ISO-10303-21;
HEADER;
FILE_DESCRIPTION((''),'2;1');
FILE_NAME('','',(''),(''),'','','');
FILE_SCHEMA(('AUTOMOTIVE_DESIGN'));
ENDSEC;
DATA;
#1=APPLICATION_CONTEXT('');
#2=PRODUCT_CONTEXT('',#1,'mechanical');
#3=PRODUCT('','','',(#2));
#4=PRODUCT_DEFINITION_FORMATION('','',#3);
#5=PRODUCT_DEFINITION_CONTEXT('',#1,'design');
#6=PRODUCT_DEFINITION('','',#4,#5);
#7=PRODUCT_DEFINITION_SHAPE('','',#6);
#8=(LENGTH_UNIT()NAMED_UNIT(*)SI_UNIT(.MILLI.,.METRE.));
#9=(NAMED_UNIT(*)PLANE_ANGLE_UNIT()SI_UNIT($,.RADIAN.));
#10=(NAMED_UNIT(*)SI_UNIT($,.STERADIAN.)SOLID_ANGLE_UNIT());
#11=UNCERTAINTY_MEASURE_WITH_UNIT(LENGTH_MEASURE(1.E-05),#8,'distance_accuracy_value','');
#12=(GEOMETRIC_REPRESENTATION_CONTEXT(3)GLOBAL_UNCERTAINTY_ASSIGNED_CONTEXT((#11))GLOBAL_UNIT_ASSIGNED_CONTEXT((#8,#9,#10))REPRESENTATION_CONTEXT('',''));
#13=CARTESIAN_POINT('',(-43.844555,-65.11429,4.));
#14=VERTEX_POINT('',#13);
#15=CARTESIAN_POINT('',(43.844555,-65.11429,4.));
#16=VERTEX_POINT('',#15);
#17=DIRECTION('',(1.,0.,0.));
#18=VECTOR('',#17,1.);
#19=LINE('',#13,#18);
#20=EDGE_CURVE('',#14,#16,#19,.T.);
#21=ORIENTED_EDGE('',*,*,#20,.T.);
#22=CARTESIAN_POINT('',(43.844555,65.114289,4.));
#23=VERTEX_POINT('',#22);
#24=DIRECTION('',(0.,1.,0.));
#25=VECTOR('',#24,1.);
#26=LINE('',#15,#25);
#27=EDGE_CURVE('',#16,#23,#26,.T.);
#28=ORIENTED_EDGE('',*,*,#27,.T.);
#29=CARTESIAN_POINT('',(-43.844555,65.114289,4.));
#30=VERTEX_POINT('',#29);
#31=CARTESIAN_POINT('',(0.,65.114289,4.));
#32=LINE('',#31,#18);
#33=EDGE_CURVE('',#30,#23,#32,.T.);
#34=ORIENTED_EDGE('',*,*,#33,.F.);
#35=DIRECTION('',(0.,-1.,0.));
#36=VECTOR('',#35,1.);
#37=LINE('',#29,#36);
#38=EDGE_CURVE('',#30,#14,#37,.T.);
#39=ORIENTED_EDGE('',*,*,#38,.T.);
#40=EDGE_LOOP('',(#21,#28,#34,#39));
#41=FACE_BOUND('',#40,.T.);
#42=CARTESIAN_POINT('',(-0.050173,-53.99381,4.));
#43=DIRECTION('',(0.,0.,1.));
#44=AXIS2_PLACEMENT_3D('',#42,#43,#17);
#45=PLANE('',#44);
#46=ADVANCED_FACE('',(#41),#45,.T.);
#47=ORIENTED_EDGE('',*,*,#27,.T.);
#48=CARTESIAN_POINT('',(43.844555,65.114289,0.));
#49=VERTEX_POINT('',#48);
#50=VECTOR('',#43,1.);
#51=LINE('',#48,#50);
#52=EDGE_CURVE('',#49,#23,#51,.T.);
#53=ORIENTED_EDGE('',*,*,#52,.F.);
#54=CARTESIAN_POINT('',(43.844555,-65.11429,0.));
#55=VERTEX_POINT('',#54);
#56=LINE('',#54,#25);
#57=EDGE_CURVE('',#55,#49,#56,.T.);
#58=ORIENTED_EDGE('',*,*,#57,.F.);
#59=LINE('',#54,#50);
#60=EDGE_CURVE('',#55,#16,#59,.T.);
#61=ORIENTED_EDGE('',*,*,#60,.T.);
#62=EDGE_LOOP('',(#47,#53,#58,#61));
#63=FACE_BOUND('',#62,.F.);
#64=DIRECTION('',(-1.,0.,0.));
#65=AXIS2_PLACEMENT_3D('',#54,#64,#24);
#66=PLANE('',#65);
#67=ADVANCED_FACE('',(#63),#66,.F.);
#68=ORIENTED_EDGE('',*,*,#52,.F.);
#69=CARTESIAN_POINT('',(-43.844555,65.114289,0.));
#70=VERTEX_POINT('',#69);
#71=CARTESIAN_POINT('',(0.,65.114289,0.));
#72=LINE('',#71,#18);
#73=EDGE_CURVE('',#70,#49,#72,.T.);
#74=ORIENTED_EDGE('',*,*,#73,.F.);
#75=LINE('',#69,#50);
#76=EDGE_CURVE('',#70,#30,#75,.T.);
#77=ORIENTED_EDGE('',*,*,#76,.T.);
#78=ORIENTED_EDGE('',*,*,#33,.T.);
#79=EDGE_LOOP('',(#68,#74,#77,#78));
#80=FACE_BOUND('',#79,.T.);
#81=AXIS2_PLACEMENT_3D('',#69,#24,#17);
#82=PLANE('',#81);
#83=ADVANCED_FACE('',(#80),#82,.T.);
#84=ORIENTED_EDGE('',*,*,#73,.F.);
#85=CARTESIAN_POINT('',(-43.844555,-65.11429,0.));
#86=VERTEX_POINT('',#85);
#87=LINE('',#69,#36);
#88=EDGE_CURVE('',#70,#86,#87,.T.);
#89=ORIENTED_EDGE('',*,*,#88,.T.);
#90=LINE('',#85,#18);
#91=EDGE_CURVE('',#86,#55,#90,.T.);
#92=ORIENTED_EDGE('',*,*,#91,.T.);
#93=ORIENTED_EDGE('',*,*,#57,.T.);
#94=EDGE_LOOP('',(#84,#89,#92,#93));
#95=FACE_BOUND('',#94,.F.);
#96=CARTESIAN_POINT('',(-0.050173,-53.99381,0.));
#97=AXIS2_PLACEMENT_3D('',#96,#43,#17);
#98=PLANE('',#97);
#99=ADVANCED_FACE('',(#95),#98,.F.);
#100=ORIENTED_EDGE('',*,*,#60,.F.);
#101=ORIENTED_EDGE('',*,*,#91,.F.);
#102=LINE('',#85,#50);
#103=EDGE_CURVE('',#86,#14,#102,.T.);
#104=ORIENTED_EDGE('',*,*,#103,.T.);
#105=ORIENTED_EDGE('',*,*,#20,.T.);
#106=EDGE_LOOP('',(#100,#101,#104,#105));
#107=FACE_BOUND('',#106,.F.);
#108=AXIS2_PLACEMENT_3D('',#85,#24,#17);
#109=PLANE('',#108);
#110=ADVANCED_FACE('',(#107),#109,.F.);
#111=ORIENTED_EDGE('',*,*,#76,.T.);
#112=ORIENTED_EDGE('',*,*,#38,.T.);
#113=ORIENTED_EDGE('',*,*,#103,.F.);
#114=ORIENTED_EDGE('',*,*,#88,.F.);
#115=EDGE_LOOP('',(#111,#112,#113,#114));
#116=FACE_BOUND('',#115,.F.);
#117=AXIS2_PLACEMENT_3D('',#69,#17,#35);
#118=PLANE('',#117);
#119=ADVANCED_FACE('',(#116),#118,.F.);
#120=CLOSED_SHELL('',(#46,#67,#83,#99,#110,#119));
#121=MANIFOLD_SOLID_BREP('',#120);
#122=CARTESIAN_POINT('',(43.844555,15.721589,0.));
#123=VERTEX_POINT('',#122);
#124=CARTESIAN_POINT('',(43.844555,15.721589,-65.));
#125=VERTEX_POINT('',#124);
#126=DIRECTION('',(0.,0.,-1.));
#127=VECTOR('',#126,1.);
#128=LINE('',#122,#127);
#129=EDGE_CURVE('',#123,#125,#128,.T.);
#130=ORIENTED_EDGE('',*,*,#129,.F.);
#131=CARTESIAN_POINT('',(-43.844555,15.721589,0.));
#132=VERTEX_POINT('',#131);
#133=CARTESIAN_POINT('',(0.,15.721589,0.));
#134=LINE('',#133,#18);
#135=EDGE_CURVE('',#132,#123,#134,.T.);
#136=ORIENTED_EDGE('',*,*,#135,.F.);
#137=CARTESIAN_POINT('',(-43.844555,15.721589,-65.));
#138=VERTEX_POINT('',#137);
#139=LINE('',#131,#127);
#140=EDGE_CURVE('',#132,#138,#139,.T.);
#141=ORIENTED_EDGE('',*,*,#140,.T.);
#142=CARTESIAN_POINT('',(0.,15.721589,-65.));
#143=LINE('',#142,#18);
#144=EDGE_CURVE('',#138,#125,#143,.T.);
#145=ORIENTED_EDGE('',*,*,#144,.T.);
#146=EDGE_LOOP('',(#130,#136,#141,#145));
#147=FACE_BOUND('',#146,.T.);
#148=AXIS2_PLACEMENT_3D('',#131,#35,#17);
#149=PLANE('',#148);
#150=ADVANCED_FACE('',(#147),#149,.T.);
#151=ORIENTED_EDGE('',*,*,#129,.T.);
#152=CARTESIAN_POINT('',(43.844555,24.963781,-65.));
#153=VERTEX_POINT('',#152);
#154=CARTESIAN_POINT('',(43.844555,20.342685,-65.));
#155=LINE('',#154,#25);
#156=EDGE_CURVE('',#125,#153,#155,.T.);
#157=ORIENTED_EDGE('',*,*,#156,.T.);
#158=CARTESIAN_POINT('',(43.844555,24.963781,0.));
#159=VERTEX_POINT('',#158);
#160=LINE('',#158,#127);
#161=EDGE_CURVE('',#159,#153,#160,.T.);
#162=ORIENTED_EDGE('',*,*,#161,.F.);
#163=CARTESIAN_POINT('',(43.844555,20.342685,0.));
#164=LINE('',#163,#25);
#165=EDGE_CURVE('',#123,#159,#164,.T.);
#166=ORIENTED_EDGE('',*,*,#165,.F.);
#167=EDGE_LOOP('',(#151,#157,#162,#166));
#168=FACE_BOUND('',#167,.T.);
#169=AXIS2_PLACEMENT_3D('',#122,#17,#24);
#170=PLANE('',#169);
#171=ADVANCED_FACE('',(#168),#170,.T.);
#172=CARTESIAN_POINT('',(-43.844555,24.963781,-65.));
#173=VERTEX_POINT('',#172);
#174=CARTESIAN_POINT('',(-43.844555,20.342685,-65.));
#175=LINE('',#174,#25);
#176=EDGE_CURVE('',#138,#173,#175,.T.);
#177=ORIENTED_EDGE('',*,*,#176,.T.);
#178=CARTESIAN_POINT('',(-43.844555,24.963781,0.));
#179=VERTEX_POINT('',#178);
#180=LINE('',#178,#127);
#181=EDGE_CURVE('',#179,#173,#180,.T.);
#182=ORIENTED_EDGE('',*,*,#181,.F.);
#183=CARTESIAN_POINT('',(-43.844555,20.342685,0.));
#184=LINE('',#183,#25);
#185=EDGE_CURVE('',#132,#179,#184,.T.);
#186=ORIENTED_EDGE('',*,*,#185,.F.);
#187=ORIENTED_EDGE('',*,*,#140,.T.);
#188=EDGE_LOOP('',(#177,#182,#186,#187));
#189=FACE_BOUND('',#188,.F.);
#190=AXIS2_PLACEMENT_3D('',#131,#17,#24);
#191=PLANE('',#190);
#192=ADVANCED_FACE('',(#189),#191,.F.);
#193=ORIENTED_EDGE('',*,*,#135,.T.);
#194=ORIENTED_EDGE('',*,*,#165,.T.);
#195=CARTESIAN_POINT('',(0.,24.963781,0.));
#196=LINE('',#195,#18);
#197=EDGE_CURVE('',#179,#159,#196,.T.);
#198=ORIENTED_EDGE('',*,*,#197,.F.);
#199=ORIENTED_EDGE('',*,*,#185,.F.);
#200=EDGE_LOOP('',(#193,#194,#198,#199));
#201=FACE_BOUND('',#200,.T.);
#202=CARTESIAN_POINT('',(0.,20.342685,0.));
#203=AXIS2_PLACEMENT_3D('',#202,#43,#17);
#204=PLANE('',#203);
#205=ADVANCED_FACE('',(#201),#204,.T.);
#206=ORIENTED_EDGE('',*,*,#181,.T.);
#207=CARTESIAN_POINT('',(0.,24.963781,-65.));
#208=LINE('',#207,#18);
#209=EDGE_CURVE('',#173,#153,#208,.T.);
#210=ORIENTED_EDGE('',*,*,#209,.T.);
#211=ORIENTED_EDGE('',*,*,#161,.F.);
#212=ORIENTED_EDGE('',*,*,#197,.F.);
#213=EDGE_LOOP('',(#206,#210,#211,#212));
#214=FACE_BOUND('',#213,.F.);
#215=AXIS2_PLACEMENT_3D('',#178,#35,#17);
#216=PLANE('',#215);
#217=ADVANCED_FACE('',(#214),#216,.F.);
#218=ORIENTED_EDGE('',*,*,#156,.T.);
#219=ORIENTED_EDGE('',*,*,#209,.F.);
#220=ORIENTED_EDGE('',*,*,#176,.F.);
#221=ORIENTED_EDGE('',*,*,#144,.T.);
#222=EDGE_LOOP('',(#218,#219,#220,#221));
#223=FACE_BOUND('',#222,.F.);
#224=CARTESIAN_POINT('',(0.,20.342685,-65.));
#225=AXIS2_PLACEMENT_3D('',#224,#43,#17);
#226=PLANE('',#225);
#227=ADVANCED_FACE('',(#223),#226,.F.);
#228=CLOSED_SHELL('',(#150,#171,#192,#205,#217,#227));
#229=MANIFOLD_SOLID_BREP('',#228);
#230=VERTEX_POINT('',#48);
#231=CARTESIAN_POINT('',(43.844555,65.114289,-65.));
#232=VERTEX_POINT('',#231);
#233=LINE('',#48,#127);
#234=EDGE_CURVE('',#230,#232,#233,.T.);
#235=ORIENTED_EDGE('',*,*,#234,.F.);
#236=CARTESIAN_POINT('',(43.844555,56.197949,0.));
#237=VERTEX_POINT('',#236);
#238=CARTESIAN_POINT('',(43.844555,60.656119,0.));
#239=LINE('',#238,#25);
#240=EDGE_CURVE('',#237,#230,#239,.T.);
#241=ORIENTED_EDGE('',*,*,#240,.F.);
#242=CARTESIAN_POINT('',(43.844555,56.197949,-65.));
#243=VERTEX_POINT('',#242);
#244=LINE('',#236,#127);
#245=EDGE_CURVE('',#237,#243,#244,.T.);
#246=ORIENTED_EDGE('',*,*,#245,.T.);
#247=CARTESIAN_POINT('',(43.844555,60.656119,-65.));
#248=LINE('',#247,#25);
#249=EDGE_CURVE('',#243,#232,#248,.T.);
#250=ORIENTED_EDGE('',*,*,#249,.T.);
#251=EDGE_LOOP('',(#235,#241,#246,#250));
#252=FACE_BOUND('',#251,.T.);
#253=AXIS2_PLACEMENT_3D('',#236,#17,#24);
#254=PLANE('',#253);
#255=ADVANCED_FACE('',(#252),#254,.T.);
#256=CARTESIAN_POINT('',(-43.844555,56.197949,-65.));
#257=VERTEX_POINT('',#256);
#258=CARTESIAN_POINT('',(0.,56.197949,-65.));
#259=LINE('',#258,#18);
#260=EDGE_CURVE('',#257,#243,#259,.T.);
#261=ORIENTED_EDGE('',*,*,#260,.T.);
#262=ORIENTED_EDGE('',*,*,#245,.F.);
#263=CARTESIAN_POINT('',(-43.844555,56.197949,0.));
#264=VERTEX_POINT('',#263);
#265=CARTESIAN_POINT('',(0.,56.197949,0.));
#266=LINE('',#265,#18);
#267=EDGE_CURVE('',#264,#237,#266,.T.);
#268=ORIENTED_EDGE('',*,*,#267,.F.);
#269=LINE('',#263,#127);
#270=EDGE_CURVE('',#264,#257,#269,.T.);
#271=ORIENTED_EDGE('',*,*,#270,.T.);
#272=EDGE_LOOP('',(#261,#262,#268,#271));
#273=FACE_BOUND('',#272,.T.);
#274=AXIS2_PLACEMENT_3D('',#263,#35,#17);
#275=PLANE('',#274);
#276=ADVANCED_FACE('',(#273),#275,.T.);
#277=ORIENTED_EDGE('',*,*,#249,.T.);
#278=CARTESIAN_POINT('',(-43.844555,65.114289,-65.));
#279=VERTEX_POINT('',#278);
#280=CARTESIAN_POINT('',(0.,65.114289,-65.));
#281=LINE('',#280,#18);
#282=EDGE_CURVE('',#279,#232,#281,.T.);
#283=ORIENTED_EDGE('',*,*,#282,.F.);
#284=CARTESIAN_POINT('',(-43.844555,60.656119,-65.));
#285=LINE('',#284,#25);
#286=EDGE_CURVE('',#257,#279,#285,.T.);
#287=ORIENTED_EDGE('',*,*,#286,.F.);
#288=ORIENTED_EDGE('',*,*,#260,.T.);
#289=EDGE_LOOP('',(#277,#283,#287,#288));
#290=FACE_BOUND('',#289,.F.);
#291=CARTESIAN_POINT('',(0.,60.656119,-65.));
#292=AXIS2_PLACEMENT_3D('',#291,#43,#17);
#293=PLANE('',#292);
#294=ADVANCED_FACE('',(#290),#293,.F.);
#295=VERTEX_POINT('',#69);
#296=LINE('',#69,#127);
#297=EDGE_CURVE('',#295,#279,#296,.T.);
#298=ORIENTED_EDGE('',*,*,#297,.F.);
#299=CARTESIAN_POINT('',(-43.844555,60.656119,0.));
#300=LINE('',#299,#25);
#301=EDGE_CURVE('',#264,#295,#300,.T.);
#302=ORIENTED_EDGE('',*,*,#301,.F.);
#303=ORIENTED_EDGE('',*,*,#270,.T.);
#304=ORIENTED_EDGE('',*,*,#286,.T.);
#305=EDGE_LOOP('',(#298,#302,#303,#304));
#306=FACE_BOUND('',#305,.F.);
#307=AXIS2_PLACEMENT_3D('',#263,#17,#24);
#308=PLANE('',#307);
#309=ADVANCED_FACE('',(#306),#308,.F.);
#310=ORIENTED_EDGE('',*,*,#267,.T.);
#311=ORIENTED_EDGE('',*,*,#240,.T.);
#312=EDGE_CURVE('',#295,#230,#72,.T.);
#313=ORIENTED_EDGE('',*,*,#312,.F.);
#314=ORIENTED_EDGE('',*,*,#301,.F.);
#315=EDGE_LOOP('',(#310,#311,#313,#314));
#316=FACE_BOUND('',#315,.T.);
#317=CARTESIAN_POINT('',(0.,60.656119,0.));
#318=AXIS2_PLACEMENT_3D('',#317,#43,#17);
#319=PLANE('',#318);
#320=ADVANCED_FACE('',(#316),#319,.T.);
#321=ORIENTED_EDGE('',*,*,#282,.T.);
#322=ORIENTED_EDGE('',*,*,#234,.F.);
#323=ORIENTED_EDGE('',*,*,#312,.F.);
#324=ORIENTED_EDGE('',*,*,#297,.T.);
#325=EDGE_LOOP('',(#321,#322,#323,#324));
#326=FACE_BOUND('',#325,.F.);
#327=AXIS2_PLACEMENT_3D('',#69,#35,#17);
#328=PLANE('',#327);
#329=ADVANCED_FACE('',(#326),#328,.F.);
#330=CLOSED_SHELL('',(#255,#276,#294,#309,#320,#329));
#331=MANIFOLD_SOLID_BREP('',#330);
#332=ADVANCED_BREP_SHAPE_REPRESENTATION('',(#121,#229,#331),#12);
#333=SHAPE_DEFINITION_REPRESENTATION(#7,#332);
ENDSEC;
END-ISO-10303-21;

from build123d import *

# Parameters (mm, degrees)
F0_W     = 87.68911
F0_H     = 31.234168
F0_H_2   = 8.916341
F0_H_3   = 9.242192
F1_DEPTH = 4
F2_DEPTH = 65


with BuildPart() as f1:
    # F0 (on Top) → F1 (new body)
    with BuildSketch(Plane.XY):
        with BuildLine():
            ThreePointArc((-43.844555, -65.11429), (0, -50.881178), (43.844555, -65.11429))
            Line((43.844555, -65.11429), (43.844555, -58.529004))
            ThreePointArc((43.844555, -58.529004), (0.04532, -44.431547), (-43.844555, -58.244228))
            Line((-43.844555, -58.244228), (-43.844555, -65.11429))
        make_face()
        with BuildLine():
            Line((-43.844555, -65.11429), (43.844555, -65.11429))
            ThreePointArc((43.844555, -65.11429), (0, -50.881178), (-43.844555, -65.11429))
        make_face()
        with Locations((0, 40.580865)):
            Rectangle(F0_W, F0_H)
        with Locations((0, 60.656119)):
            Rectangle(F0_W, F0_H_2)
        with Locations((0, 20.342685)):
            Rectangle(F0_W, F0_H_3)
        with BuildLine():
            ThreePointArc((-43.844555, -58.244228), (0.04532, -44.431547), (43.844555, -58.529004))
            Line((43.844555, -58.529004), (43.844555, 15.721589))
            Line((43.844555, 15.721589), (-43.844555, 15.721589))
            Line((-43.844555, 15.721589), (-43.844555, -58.244228))
        make_face()
    extrude(amount=F1_DEPTH)


with BuildPart() as f2:
    # F0 (on Top) → F2 (new body)
    with BuildSketch(Plane.XY):
        with Locations((0, 20.342685)):
            Rectangle(F0_W, F0_H_3)
        with Locations((0, 60.656119)):
            Rectangle(F0_W, F0_H_2)
    extrude(amount=-F2_DEPTH)


solid = Compound([f1.part, f2.part])
